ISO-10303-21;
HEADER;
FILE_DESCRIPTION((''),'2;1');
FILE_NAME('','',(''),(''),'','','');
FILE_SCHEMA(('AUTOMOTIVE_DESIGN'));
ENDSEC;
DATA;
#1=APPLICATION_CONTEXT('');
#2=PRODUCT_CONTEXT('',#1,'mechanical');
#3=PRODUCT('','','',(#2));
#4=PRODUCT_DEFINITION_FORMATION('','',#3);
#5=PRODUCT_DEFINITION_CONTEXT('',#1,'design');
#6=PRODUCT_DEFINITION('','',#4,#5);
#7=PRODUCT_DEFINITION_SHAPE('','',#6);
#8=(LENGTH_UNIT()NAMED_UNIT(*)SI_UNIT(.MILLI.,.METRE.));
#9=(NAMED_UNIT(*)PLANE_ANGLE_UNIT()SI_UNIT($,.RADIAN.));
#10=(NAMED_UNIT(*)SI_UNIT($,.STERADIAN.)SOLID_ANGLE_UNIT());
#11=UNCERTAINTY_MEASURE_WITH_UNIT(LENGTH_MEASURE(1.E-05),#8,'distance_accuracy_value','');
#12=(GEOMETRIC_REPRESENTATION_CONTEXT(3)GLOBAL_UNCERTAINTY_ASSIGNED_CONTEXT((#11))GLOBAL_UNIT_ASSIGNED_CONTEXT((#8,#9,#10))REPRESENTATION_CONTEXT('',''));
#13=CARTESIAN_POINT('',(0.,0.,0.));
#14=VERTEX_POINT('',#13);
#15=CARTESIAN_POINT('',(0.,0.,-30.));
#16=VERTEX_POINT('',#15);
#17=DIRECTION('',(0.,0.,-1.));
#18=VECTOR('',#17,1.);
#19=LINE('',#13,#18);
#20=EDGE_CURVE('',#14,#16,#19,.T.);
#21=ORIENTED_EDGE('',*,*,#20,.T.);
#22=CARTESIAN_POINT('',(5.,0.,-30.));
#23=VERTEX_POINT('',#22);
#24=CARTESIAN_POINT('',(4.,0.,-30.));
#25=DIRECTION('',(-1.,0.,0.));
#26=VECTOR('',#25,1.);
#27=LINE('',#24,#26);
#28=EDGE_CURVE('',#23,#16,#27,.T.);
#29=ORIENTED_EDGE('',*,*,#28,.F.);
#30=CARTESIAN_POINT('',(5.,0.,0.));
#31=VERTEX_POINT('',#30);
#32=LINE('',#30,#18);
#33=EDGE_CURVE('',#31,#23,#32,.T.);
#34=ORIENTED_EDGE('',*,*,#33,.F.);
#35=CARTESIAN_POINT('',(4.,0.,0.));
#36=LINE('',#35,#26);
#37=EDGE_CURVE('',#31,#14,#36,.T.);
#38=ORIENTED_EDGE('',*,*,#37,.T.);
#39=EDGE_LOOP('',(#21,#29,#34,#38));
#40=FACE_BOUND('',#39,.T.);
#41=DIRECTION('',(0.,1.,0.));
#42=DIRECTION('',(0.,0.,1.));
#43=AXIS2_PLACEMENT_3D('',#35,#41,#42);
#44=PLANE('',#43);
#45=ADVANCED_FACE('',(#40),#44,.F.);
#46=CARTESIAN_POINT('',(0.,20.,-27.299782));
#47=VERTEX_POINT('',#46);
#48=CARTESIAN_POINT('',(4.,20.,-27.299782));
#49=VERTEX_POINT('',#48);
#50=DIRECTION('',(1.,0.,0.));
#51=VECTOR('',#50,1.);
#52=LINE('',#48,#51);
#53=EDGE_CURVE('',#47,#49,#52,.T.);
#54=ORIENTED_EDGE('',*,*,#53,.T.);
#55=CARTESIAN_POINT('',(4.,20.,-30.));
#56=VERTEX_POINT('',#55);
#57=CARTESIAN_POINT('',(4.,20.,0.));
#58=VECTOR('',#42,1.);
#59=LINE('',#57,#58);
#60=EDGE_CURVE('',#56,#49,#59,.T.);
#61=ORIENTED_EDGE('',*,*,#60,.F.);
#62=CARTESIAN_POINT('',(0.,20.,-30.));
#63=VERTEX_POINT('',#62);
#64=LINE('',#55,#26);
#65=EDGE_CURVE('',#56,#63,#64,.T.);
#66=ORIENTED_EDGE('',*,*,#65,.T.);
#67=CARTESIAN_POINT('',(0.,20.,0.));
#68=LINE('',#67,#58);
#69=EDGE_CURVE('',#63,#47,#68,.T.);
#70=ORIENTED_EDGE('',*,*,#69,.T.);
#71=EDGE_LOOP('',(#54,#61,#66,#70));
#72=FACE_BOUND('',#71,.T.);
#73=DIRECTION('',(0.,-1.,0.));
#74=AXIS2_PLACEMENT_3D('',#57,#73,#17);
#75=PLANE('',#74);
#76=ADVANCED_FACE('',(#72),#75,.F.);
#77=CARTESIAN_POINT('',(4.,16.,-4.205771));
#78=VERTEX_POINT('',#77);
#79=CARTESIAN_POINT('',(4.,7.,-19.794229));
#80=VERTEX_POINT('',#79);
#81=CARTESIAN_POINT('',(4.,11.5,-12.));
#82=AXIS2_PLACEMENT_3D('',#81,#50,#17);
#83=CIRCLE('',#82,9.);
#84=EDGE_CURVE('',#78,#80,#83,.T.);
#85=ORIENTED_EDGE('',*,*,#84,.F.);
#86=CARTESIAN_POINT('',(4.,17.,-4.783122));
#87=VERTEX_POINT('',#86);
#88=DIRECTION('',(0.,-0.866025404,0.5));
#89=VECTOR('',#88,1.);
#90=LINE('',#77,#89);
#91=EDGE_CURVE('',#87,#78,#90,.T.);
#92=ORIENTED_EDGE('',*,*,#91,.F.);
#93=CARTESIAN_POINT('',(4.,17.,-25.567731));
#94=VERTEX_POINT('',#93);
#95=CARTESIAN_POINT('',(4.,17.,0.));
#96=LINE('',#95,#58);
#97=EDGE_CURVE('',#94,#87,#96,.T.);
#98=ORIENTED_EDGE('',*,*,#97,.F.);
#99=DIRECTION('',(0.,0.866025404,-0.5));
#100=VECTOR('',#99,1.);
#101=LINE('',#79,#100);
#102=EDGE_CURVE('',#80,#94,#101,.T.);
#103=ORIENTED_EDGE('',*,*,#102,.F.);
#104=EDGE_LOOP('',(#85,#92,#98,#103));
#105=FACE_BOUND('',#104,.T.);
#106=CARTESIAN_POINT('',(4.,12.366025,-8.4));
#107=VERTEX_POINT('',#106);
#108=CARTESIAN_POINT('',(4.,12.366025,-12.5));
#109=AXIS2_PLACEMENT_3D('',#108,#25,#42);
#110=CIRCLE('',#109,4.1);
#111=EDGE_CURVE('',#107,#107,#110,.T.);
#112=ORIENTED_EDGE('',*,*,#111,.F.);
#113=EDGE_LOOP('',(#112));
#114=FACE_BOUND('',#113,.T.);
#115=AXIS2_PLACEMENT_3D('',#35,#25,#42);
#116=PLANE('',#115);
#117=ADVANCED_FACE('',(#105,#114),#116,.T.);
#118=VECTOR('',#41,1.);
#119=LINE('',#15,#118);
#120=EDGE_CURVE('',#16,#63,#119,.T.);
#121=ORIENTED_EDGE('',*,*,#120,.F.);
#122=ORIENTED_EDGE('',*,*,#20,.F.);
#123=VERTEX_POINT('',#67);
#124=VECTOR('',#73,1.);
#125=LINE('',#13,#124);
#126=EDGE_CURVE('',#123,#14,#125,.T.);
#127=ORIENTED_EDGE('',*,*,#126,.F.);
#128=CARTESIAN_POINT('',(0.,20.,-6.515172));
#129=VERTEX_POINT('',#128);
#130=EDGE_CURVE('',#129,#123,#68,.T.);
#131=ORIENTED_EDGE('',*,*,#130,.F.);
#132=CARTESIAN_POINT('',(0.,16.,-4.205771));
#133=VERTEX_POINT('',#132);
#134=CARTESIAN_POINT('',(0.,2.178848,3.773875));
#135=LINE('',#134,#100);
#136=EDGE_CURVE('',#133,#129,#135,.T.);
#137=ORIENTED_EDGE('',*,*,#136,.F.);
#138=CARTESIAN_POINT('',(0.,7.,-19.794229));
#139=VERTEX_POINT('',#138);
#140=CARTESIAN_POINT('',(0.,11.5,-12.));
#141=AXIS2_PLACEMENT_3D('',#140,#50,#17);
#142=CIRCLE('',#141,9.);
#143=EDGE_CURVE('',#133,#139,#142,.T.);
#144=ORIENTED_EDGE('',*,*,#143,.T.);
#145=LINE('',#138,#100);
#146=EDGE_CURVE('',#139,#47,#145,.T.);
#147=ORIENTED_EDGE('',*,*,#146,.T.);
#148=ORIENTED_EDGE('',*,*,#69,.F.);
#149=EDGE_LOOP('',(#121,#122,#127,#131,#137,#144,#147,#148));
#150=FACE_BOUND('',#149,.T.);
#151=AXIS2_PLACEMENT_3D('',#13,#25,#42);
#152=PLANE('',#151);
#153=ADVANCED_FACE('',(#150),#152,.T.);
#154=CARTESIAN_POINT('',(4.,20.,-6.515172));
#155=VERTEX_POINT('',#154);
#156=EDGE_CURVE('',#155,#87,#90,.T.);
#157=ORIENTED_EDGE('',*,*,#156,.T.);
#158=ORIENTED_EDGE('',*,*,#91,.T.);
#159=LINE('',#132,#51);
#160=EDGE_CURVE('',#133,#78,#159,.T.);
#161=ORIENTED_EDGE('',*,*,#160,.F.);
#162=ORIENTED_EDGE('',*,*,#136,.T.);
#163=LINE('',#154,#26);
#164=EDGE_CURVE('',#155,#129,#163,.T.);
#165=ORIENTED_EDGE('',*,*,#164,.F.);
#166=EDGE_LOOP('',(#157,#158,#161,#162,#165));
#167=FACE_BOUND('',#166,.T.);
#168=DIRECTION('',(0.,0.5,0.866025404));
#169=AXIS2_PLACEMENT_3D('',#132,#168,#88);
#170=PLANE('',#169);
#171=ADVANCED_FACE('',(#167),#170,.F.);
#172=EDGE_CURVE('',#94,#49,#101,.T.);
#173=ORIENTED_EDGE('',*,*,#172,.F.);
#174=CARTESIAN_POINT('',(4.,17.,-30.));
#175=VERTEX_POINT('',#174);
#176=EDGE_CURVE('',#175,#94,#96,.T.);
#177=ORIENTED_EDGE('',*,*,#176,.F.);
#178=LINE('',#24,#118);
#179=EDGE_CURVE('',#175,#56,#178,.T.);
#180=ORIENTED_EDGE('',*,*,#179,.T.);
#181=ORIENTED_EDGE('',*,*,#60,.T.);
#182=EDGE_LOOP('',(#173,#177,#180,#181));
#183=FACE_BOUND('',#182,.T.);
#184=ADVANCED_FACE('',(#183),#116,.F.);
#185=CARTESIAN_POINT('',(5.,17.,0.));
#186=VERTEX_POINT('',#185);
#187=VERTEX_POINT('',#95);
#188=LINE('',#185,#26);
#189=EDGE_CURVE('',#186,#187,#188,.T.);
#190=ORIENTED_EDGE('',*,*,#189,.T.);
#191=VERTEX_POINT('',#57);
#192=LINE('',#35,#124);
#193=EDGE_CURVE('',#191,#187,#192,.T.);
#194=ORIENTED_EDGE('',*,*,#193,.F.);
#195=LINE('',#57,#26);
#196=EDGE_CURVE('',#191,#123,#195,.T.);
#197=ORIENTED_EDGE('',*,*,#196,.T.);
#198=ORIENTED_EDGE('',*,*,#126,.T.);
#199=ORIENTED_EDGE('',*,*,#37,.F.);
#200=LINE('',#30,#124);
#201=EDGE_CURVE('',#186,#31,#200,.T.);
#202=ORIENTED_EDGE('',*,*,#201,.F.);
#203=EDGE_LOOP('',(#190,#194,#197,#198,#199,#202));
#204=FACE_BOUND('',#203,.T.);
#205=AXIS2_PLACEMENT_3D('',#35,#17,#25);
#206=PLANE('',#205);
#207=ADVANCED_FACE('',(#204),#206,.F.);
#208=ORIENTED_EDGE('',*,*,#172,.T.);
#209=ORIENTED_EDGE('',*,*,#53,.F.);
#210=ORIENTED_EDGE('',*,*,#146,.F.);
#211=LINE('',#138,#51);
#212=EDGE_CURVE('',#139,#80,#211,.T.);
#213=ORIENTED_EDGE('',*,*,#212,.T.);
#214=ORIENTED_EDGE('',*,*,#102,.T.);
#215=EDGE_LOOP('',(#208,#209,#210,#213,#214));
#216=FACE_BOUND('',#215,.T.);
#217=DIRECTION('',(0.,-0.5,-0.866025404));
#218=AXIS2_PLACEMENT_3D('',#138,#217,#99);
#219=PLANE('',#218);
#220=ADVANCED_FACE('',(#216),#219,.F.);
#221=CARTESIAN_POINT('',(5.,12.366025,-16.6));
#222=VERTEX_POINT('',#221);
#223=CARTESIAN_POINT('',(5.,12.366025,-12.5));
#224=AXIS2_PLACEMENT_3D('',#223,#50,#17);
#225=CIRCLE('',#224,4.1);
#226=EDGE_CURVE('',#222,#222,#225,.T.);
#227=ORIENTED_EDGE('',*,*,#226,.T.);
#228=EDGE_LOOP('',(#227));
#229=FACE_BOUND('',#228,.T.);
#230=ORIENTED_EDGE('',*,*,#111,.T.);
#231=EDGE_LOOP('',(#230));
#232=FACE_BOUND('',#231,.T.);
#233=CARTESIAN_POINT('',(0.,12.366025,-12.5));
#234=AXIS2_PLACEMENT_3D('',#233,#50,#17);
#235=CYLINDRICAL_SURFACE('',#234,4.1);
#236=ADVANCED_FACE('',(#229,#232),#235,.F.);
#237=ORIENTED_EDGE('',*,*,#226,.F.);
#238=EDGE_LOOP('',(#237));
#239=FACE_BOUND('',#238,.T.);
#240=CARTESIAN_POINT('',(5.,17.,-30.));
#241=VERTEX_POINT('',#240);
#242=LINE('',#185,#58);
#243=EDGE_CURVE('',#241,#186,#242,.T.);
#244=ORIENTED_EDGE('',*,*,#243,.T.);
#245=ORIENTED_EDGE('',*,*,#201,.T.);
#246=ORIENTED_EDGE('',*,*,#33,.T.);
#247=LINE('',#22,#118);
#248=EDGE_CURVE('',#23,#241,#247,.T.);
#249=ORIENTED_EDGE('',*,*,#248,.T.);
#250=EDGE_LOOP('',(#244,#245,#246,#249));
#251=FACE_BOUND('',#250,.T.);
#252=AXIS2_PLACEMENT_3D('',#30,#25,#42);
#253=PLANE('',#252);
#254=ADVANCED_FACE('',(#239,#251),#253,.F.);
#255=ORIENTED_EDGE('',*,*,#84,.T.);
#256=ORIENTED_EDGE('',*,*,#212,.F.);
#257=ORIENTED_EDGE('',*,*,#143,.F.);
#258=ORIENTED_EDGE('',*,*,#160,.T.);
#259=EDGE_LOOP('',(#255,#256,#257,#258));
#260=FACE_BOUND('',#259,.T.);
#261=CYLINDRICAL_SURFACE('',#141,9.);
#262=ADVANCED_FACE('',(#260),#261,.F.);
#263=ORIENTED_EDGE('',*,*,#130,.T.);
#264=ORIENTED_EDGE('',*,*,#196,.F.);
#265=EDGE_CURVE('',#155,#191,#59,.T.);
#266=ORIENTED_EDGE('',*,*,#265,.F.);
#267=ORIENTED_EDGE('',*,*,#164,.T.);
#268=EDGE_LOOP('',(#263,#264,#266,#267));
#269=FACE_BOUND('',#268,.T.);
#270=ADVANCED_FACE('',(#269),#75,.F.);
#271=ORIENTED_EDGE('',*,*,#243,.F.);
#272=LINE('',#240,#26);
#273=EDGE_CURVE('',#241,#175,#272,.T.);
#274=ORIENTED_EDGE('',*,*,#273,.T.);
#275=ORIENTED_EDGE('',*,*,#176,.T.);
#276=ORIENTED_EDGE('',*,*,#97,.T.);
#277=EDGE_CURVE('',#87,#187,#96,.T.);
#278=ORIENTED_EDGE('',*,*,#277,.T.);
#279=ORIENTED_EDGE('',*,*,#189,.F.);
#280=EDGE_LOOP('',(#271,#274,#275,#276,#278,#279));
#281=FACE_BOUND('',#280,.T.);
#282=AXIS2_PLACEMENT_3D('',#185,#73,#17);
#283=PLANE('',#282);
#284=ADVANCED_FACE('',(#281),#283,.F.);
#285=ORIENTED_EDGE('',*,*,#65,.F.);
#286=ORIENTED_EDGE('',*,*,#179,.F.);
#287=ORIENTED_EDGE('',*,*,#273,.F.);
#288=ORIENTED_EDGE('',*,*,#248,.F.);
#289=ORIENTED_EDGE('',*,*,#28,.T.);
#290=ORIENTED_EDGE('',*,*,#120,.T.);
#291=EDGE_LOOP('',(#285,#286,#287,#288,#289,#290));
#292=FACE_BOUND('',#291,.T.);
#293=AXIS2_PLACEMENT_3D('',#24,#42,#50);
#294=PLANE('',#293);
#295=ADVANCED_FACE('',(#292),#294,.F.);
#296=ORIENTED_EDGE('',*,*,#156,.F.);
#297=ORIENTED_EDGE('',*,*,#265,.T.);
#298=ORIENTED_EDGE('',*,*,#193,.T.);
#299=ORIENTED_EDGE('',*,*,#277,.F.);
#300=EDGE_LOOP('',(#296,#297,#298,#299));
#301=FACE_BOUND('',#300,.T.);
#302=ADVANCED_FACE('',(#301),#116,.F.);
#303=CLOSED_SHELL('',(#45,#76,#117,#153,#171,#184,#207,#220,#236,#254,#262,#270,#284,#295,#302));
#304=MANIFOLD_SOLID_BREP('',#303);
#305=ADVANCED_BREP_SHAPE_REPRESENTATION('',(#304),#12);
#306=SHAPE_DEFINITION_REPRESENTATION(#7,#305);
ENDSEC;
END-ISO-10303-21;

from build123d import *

# Parameters (mm, degrees)
SKETCH1_W           = 30
SKETCH1_H           = 20
BOSS_EXTRUDE1_DEPTH = 4
CUT_EXTRUDE1_DEPTH  = 37.276714294
SKETCH3_W           = 30
SKETCH3_H           = 17
BOSS_EXTRUDE2_DEPTH = 1
SKETCH4_R           = 4.1
CUT_EXTRUDE2_DEPTH  = 37.400549446


with BuildPart() as part:
    # Sketch1 → Boss-Extrude1 (new body)
    with BuildSketch(Plane(origin=(0, 0, 0), x_dir=(0, 0, -1), z_dir=(1, 0, 0))):
        with Locations((15, 10)):
            Rectangle(SKETCH1_W, SKETCH1_H)
    extrude(amount=BOSS_EXTRUDE1_DEPTH)

    # Sketch2 → Cut-Extrude1 (cut, through all)
    with BuildSketch(Plane(origin=(4, 0, 0), x_dir=(0, 0, -1), z_dir=(1, 0, 0))):
        with BuildLine():
            Line((4.205771366, 16), (19.205771366, 41.980762114))
            Line((19.205771366, 41.980762114), (34.794228634, 32.980762114))
            Line((34.794228634, 32.980762114), (19.794228634, 7))
            ThreePointArc((19.794228634, 7), (7.5, 3.705771366), (4.205771366, 16))
        make_face()
    extrude(amount=-CUT_EXTRUDE1_DEPTH, mode=Mode.SUBTRACT)

    # Sketch3 → Boss-Extrude2 (add)
    with BuildSketch(Plane(origin=(4, 0, 0), x_dir=(0, 0, -1), z_dir=(1, 0, 0))):
        with Locations((15, 8.5)):
            Rectangle(SKETCH3_W, SKETCH3_H)
    extrude(amount=BOSS_EXTRUDE2_DEPTH)

    # Sketch4 → Cut-Extrude2 (cut, through all)
    with BuildSketch(Plane(origin=(5, 0, 0), x_dir=(0, 0, -1), z_dir=(1, 0, 0))):
        with Locations((12.5, 12.366025404)):
            Circle(SKETCH4_R)
    extrude(amount=-CUT_EXTRUDE2_DEPTH, mode=Mode.SUBTRACT)


solid = part.part
